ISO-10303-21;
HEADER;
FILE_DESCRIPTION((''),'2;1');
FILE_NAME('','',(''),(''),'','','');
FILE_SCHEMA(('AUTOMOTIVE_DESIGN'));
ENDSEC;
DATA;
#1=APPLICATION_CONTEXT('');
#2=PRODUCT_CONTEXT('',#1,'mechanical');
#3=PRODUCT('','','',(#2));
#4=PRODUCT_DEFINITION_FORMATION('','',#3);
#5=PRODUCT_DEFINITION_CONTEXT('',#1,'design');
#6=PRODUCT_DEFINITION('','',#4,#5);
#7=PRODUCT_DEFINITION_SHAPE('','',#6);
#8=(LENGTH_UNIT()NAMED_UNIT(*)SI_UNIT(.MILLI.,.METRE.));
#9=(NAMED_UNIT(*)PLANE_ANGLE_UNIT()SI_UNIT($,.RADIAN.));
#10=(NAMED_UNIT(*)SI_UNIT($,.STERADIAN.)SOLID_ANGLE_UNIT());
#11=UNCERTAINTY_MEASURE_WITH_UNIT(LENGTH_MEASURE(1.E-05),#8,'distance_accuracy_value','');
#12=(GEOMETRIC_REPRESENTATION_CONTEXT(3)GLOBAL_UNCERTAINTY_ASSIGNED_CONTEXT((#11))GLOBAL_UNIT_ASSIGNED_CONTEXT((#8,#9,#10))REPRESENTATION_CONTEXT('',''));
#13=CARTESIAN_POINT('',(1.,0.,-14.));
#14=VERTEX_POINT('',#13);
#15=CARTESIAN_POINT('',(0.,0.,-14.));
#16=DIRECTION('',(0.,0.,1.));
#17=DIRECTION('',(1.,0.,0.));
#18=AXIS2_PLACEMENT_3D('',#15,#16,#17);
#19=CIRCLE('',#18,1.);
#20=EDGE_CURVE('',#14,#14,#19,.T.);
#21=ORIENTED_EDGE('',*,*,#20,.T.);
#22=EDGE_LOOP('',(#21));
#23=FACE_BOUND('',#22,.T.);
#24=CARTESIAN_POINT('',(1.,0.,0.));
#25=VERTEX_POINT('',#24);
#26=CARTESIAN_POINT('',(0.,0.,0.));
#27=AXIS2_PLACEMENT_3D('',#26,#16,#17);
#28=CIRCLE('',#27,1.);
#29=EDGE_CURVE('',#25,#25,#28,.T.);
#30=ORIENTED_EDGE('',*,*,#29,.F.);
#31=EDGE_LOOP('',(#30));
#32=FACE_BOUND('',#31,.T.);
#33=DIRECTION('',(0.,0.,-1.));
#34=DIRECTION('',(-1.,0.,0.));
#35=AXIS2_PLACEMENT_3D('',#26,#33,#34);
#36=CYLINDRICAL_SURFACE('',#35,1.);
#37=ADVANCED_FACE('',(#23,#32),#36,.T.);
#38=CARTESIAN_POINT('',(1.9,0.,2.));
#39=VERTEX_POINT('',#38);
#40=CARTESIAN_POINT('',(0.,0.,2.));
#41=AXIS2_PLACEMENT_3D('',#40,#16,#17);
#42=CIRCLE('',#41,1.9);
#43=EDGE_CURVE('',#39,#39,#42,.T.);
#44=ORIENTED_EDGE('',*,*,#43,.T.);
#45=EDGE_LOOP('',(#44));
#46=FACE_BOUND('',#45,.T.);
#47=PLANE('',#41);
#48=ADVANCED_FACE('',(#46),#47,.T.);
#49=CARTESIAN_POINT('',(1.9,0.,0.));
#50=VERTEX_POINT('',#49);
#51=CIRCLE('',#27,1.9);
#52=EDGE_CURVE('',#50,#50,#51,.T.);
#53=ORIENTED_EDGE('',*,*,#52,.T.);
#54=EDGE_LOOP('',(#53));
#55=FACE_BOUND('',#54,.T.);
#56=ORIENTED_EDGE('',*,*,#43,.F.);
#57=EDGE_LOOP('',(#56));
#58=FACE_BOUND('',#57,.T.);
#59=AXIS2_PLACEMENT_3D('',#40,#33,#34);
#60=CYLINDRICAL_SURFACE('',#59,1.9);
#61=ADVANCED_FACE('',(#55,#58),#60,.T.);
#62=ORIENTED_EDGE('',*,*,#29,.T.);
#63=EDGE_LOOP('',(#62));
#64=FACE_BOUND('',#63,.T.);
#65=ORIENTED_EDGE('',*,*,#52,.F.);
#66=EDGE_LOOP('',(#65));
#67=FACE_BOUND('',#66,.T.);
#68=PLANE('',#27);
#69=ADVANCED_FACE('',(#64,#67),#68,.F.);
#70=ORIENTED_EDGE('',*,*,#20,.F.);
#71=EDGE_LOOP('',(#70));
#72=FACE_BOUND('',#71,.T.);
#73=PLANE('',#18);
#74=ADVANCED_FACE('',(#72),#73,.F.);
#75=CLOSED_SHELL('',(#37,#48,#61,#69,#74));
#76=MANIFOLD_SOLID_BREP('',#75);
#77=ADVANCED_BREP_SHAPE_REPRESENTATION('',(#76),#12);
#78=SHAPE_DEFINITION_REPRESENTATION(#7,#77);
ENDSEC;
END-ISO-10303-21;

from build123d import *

# Parameters (mm, degrees)
SHANK_NOMINAL_THREAD_ENVELOPE_START     = -14
SHANK_NOMINAL_THREAD_ENVELOPE_PROFILE_R = 1
SHANK_NOMINAL_THREAD_ENVELOPE_DEPTH     = 14
SOCKET_HEAD_ENVELOPE_PROFILE_R          = 1.9
SOCKET_HEAD_ENVELOPE_DEPTH              = 2


with BuildPart() as part:
    # Shank_nominal_thread_envelope_profile → Shank_nominal_thread_envelope (new body)
    with BuildSketch(Plane.XY.offset(SHANK_NOMINAL_THREAD_ENVELOPE_START)):
        Circle(SHANK_NOMINAL_THREAD_ENVELOPE_PROFILE_R)
    extrude(amount=SHANK_NOMINAL_THREAD_ENVELOPE_DEPTH)

    # Socket_head_envelope_profile → Socket_head_envelope (add)
    with BuildSketch(Plane.XY):
        Circle(SOCKET_HEAD_ENVELOPE_PROFILE_R)
    extrude(amount=SOCKET_HEAD_ENVELOPE_DEPTH)


solid = part.part
